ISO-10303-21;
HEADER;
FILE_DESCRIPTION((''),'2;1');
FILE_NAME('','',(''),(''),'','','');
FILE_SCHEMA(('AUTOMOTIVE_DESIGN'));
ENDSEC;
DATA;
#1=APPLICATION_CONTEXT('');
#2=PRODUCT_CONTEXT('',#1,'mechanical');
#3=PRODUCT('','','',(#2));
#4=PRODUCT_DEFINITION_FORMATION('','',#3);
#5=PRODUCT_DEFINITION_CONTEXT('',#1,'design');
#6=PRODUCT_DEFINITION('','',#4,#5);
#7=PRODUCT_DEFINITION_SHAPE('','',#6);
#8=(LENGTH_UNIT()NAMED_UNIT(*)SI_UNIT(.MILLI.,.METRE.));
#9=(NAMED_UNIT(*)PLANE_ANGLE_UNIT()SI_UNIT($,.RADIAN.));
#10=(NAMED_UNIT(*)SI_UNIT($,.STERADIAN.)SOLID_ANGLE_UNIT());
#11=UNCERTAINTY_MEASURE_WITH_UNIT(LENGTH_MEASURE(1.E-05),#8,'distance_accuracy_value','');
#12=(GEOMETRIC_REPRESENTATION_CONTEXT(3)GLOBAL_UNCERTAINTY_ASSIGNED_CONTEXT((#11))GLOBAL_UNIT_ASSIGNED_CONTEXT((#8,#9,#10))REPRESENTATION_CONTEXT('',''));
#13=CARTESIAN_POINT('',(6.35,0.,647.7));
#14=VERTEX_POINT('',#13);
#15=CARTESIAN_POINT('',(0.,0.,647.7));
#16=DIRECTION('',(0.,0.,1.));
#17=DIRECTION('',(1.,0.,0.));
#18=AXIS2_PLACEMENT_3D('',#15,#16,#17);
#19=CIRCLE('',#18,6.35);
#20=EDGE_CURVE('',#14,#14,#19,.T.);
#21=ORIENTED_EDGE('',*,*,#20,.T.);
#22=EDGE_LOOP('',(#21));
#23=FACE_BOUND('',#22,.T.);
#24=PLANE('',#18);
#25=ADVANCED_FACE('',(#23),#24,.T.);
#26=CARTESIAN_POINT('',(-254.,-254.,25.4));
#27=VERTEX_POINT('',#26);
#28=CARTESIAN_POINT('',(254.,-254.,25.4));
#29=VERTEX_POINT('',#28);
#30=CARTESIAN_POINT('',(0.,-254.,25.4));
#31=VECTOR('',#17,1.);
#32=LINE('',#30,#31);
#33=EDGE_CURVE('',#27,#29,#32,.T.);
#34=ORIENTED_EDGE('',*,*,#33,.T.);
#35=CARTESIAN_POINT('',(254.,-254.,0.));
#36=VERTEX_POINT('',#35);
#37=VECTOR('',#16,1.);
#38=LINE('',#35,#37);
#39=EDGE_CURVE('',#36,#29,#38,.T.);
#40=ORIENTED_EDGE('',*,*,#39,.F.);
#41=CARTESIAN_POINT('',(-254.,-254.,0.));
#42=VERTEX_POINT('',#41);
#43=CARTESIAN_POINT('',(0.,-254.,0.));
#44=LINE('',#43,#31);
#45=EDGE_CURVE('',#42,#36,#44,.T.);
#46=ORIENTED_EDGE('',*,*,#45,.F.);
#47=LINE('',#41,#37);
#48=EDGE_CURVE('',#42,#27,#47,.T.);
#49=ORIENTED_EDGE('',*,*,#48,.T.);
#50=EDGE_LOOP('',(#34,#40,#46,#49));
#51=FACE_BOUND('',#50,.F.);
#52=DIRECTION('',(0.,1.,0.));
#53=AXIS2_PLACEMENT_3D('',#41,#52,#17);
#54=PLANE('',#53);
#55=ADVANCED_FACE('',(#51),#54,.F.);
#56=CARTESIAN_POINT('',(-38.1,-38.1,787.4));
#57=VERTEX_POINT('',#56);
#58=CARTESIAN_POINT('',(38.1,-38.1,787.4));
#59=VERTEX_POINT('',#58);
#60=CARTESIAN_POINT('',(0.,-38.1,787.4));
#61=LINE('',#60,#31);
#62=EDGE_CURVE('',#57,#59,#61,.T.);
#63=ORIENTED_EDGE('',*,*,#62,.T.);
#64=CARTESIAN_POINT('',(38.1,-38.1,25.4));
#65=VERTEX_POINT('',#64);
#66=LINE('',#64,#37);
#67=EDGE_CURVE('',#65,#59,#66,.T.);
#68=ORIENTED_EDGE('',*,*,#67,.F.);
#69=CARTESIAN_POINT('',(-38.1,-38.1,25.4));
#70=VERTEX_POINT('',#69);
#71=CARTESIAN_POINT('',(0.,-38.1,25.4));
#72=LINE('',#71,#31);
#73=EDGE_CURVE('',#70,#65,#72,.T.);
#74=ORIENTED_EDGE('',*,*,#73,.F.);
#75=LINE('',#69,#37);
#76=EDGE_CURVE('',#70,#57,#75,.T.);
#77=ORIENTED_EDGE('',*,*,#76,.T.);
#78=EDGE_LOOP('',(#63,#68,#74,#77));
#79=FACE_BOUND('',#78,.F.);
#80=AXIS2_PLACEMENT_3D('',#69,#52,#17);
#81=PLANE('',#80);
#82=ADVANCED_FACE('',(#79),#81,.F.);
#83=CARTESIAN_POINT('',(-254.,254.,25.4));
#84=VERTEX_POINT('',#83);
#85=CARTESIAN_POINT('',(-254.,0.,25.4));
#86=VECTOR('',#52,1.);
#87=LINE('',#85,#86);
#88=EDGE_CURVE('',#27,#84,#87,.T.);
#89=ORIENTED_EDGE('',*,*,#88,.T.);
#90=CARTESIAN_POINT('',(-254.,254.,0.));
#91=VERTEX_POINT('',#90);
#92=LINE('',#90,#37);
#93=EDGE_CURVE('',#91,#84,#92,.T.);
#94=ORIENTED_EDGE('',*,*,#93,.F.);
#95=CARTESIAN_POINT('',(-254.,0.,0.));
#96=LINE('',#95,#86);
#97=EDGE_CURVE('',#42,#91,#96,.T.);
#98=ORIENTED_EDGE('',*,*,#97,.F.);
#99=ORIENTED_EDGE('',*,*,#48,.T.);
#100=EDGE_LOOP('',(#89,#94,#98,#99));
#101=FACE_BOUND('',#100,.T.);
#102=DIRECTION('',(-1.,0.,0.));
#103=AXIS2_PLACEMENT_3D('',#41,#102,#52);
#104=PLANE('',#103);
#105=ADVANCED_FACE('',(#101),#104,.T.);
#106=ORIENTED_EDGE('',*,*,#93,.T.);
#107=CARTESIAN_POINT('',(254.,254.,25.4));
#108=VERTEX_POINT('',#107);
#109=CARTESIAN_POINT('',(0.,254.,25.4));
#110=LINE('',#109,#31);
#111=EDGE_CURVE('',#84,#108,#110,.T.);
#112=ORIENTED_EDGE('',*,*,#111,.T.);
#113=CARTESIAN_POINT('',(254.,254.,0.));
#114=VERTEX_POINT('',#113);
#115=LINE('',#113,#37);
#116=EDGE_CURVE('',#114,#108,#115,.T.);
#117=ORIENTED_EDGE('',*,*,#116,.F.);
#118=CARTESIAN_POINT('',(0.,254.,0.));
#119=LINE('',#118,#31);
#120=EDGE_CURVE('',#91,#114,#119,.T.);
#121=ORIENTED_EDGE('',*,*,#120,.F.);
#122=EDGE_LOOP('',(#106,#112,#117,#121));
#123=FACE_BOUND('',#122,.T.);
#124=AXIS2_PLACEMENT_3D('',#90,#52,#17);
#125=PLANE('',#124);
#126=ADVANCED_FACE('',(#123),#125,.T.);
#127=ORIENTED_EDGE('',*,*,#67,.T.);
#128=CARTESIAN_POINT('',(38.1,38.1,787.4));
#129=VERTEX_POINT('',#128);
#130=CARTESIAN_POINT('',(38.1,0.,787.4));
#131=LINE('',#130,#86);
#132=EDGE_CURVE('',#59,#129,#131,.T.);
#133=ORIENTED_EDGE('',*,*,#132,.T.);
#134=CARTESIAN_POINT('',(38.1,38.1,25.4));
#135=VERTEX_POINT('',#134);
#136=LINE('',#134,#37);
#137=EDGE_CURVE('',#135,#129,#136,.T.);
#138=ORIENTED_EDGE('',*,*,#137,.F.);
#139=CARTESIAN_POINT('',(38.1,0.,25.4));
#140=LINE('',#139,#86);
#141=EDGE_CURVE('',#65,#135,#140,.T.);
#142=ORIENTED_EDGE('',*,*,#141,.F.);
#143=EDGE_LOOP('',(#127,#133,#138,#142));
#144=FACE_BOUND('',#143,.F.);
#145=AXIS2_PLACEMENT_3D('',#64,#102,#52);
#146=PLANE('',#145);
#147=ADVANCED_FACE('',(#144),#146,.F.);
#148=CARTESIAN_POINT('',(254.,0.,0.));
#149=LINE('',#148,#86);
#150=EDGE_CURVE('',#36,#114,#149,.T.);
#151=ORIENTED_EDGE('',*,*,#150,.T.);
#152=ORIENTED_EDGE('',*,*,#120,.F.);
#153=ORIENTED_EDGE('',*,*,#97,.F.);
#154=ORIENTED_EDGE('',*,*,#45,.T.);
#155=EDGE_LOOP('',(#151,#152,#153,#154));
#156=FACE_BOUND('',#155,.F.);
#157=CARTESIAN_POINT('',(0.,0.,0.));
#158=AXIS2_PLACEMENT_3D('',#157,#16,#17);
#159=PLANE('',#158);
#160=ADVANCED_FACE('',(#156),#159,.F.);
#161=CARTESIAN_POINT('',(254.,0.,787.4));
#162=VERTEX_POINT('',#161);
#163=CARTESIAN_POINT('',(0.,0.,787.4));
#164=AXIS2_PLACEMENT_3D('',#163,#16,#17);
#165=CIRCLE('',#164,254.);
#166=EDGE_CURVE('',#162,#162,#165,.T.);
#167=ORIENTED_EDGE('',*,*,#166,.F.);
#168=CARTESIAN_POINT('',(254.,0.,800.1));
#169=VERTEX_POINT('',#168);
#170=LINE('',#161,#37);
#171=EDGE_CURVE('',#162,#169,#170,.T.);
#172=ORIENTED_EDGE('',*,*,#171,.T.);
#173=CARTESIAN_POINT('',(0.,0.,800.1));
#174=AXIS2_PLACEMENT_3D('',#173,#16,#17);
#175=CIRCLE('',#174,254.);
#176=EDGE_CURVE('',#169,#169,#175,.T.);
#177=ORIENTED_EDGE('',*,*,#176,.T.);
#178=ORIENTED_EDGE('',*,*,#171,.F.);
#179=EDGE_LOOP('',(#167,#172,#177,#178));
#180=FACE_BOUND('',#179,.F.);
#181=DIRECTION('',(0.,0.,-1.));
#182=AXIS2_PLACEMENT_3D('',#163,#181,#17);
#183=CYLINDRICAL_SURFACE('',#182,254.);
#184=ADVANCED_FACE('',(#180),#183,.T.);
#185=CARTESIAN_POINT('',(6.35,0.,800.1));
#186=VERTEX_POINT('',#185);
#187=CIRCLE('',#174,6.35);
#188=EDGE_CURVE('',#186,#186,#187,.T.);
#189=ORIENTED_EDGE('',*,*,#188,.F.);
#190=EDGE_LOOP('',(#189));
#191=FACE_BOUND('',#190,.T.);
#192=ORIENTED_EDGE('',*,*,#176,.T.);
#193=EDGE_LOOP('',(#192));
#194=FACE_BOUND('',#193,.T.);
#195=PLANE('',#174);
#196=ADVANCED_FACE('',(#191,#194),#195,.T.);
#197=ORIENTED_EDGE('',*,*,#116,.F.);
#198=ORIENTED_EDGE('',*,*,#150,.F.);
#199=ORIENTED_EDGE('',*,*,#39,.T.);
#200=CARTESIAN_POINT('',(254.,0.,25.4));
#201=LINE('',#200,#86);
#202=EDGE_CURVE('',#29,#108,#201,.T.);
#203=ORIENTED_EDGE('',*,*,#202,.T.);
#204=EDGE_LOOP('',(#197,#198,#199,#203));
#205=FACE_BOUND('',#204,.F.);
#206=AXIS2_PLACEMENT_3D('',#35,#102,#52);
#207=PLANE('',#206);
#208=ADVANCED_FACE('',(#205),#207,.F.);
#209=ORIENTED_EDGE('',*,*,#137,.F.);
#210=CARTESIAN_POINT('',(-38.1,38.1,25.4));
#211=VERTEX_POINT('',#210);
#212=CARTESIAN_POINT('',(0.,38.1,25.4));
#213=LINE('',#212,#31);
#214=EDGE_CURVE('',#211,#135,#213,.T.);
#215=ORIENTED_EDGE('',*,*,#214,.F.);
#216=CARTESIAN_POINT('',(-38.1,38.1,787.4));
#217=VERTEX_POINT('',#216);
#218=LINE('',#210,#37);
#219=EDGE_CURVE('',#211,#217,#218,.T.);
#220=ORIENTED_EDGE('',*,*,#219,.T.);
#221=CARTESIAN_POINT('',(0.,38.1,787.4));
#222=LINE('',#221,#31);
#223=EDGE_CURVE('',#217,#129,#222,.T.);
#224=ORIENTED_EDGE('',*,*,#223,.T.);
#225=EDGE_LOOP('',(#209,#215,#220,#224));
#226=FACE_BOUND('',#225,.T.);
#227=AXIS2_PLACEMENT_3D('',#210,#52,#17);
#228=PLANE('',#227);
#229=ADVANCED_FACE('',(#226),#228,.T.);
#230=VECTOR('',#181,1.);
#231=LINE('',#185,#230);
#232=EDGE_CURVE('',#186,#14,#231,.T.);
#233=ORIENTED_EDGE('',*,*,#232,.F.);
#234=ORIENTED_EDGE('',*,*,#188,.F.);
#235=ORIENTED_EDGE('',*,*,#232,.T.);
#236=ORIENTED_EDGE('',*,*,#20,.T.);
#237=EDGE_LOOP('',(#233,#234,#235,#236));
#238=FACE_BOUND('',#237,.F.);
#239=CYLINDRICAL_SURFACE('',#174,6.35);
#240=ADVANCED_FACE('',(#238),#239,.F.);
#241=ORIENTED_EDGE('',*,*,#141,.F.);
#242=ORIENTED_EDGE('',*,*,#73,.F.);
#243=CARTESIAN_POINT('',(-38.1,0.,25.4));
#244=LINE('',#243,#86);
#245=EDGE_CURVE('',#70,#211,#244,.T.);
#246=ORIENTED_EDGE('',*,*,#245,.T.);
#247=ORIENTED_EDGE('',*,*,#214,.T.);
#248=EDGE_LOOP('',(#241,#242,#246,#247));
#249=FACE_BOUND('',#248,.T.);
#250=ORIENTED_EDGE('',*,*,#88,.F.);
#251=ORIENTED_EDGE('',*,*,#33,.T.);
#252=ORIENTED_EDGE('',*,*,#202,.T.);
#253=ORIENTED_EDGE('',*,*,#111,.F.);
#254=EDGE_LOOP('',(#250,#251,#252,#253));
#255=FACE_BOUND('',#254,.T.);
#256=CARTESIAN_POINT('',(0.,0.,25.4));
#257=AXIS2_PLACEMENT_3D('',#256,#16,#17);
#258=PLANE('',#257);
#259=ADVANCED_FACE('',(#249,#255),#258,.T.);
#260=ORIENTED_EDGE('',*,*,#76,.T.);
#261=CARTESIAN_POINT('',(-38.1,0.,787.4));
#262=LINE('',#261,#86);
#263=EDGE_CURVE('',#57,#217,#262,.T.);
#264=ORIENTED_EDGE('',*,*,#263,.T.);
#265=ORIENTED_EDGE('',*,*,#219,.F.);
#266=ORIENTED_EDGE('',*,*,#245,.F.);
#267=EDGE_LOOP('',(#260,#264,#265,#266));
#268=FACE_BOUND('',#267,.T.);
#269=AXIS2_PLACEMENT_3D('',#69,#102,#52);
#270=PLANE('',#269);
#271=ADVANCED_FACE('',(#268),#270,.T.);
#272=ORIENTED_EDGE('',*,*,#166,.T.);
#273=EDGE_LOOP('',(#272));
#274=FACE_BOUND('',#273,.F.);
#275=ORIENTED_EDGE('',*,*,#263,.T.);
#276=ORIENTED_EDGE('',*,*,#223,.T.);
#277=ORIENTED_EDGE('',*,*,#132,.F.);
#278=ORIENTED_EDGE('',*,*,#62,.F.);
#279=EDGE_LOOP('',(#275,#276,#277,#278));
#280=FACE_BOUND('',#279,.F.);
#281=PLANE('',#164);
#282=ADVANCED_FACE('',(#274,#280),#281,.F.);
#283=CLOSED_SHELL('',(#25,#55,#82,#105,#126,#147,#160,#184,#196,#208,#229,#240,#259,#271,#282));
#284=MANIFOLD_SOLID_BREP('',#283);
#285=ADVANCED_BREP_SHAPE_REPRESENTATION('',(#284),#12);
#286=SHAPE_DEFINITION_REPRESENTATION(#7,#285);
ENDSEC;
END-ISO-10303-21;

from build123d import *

# Parameters (mm, degrees)
F0_W     = 508
F0_H     = 508
F1_DEPTH = 25.4
F2_W     = 76.2
F2_H     = 76.2
F3_DEPTH = 762
F4_R     = 254
F5_DEPTH = 12.7
F6_R     = 6.35
F7_DEPTH = 152.4


with BuildPart() as f1:
    # F0 (on Top) → F1 (new body)
    with BuildSketch(Plane.XY):
        Rectangle(F0_W, F0_H)
    extrude(amount=F1_DEPTH)

    # F2 (on face) → F3 (join)
    with BuildSketch(Plane.XY.offset(25.4)):
        Rectangle(F2_W, F2_H)
    extrude(amount=F3_DEPTH)

    # F4 (on face) → F5 (join)
    with BuildSketch(Plane.XY.offset(787.4)):
        Circle(F4_R)
    extrude(amount=F5_DEPTH)

    # F6 (on face) → F7 (cut)
    with BuildSketch(Plane.XY.offset(800.1)):
        Circle(F6_R)
    extrude(amount=-F7_DEPTH, mode=Mode.SUBTRACT)


solid = f1.part
